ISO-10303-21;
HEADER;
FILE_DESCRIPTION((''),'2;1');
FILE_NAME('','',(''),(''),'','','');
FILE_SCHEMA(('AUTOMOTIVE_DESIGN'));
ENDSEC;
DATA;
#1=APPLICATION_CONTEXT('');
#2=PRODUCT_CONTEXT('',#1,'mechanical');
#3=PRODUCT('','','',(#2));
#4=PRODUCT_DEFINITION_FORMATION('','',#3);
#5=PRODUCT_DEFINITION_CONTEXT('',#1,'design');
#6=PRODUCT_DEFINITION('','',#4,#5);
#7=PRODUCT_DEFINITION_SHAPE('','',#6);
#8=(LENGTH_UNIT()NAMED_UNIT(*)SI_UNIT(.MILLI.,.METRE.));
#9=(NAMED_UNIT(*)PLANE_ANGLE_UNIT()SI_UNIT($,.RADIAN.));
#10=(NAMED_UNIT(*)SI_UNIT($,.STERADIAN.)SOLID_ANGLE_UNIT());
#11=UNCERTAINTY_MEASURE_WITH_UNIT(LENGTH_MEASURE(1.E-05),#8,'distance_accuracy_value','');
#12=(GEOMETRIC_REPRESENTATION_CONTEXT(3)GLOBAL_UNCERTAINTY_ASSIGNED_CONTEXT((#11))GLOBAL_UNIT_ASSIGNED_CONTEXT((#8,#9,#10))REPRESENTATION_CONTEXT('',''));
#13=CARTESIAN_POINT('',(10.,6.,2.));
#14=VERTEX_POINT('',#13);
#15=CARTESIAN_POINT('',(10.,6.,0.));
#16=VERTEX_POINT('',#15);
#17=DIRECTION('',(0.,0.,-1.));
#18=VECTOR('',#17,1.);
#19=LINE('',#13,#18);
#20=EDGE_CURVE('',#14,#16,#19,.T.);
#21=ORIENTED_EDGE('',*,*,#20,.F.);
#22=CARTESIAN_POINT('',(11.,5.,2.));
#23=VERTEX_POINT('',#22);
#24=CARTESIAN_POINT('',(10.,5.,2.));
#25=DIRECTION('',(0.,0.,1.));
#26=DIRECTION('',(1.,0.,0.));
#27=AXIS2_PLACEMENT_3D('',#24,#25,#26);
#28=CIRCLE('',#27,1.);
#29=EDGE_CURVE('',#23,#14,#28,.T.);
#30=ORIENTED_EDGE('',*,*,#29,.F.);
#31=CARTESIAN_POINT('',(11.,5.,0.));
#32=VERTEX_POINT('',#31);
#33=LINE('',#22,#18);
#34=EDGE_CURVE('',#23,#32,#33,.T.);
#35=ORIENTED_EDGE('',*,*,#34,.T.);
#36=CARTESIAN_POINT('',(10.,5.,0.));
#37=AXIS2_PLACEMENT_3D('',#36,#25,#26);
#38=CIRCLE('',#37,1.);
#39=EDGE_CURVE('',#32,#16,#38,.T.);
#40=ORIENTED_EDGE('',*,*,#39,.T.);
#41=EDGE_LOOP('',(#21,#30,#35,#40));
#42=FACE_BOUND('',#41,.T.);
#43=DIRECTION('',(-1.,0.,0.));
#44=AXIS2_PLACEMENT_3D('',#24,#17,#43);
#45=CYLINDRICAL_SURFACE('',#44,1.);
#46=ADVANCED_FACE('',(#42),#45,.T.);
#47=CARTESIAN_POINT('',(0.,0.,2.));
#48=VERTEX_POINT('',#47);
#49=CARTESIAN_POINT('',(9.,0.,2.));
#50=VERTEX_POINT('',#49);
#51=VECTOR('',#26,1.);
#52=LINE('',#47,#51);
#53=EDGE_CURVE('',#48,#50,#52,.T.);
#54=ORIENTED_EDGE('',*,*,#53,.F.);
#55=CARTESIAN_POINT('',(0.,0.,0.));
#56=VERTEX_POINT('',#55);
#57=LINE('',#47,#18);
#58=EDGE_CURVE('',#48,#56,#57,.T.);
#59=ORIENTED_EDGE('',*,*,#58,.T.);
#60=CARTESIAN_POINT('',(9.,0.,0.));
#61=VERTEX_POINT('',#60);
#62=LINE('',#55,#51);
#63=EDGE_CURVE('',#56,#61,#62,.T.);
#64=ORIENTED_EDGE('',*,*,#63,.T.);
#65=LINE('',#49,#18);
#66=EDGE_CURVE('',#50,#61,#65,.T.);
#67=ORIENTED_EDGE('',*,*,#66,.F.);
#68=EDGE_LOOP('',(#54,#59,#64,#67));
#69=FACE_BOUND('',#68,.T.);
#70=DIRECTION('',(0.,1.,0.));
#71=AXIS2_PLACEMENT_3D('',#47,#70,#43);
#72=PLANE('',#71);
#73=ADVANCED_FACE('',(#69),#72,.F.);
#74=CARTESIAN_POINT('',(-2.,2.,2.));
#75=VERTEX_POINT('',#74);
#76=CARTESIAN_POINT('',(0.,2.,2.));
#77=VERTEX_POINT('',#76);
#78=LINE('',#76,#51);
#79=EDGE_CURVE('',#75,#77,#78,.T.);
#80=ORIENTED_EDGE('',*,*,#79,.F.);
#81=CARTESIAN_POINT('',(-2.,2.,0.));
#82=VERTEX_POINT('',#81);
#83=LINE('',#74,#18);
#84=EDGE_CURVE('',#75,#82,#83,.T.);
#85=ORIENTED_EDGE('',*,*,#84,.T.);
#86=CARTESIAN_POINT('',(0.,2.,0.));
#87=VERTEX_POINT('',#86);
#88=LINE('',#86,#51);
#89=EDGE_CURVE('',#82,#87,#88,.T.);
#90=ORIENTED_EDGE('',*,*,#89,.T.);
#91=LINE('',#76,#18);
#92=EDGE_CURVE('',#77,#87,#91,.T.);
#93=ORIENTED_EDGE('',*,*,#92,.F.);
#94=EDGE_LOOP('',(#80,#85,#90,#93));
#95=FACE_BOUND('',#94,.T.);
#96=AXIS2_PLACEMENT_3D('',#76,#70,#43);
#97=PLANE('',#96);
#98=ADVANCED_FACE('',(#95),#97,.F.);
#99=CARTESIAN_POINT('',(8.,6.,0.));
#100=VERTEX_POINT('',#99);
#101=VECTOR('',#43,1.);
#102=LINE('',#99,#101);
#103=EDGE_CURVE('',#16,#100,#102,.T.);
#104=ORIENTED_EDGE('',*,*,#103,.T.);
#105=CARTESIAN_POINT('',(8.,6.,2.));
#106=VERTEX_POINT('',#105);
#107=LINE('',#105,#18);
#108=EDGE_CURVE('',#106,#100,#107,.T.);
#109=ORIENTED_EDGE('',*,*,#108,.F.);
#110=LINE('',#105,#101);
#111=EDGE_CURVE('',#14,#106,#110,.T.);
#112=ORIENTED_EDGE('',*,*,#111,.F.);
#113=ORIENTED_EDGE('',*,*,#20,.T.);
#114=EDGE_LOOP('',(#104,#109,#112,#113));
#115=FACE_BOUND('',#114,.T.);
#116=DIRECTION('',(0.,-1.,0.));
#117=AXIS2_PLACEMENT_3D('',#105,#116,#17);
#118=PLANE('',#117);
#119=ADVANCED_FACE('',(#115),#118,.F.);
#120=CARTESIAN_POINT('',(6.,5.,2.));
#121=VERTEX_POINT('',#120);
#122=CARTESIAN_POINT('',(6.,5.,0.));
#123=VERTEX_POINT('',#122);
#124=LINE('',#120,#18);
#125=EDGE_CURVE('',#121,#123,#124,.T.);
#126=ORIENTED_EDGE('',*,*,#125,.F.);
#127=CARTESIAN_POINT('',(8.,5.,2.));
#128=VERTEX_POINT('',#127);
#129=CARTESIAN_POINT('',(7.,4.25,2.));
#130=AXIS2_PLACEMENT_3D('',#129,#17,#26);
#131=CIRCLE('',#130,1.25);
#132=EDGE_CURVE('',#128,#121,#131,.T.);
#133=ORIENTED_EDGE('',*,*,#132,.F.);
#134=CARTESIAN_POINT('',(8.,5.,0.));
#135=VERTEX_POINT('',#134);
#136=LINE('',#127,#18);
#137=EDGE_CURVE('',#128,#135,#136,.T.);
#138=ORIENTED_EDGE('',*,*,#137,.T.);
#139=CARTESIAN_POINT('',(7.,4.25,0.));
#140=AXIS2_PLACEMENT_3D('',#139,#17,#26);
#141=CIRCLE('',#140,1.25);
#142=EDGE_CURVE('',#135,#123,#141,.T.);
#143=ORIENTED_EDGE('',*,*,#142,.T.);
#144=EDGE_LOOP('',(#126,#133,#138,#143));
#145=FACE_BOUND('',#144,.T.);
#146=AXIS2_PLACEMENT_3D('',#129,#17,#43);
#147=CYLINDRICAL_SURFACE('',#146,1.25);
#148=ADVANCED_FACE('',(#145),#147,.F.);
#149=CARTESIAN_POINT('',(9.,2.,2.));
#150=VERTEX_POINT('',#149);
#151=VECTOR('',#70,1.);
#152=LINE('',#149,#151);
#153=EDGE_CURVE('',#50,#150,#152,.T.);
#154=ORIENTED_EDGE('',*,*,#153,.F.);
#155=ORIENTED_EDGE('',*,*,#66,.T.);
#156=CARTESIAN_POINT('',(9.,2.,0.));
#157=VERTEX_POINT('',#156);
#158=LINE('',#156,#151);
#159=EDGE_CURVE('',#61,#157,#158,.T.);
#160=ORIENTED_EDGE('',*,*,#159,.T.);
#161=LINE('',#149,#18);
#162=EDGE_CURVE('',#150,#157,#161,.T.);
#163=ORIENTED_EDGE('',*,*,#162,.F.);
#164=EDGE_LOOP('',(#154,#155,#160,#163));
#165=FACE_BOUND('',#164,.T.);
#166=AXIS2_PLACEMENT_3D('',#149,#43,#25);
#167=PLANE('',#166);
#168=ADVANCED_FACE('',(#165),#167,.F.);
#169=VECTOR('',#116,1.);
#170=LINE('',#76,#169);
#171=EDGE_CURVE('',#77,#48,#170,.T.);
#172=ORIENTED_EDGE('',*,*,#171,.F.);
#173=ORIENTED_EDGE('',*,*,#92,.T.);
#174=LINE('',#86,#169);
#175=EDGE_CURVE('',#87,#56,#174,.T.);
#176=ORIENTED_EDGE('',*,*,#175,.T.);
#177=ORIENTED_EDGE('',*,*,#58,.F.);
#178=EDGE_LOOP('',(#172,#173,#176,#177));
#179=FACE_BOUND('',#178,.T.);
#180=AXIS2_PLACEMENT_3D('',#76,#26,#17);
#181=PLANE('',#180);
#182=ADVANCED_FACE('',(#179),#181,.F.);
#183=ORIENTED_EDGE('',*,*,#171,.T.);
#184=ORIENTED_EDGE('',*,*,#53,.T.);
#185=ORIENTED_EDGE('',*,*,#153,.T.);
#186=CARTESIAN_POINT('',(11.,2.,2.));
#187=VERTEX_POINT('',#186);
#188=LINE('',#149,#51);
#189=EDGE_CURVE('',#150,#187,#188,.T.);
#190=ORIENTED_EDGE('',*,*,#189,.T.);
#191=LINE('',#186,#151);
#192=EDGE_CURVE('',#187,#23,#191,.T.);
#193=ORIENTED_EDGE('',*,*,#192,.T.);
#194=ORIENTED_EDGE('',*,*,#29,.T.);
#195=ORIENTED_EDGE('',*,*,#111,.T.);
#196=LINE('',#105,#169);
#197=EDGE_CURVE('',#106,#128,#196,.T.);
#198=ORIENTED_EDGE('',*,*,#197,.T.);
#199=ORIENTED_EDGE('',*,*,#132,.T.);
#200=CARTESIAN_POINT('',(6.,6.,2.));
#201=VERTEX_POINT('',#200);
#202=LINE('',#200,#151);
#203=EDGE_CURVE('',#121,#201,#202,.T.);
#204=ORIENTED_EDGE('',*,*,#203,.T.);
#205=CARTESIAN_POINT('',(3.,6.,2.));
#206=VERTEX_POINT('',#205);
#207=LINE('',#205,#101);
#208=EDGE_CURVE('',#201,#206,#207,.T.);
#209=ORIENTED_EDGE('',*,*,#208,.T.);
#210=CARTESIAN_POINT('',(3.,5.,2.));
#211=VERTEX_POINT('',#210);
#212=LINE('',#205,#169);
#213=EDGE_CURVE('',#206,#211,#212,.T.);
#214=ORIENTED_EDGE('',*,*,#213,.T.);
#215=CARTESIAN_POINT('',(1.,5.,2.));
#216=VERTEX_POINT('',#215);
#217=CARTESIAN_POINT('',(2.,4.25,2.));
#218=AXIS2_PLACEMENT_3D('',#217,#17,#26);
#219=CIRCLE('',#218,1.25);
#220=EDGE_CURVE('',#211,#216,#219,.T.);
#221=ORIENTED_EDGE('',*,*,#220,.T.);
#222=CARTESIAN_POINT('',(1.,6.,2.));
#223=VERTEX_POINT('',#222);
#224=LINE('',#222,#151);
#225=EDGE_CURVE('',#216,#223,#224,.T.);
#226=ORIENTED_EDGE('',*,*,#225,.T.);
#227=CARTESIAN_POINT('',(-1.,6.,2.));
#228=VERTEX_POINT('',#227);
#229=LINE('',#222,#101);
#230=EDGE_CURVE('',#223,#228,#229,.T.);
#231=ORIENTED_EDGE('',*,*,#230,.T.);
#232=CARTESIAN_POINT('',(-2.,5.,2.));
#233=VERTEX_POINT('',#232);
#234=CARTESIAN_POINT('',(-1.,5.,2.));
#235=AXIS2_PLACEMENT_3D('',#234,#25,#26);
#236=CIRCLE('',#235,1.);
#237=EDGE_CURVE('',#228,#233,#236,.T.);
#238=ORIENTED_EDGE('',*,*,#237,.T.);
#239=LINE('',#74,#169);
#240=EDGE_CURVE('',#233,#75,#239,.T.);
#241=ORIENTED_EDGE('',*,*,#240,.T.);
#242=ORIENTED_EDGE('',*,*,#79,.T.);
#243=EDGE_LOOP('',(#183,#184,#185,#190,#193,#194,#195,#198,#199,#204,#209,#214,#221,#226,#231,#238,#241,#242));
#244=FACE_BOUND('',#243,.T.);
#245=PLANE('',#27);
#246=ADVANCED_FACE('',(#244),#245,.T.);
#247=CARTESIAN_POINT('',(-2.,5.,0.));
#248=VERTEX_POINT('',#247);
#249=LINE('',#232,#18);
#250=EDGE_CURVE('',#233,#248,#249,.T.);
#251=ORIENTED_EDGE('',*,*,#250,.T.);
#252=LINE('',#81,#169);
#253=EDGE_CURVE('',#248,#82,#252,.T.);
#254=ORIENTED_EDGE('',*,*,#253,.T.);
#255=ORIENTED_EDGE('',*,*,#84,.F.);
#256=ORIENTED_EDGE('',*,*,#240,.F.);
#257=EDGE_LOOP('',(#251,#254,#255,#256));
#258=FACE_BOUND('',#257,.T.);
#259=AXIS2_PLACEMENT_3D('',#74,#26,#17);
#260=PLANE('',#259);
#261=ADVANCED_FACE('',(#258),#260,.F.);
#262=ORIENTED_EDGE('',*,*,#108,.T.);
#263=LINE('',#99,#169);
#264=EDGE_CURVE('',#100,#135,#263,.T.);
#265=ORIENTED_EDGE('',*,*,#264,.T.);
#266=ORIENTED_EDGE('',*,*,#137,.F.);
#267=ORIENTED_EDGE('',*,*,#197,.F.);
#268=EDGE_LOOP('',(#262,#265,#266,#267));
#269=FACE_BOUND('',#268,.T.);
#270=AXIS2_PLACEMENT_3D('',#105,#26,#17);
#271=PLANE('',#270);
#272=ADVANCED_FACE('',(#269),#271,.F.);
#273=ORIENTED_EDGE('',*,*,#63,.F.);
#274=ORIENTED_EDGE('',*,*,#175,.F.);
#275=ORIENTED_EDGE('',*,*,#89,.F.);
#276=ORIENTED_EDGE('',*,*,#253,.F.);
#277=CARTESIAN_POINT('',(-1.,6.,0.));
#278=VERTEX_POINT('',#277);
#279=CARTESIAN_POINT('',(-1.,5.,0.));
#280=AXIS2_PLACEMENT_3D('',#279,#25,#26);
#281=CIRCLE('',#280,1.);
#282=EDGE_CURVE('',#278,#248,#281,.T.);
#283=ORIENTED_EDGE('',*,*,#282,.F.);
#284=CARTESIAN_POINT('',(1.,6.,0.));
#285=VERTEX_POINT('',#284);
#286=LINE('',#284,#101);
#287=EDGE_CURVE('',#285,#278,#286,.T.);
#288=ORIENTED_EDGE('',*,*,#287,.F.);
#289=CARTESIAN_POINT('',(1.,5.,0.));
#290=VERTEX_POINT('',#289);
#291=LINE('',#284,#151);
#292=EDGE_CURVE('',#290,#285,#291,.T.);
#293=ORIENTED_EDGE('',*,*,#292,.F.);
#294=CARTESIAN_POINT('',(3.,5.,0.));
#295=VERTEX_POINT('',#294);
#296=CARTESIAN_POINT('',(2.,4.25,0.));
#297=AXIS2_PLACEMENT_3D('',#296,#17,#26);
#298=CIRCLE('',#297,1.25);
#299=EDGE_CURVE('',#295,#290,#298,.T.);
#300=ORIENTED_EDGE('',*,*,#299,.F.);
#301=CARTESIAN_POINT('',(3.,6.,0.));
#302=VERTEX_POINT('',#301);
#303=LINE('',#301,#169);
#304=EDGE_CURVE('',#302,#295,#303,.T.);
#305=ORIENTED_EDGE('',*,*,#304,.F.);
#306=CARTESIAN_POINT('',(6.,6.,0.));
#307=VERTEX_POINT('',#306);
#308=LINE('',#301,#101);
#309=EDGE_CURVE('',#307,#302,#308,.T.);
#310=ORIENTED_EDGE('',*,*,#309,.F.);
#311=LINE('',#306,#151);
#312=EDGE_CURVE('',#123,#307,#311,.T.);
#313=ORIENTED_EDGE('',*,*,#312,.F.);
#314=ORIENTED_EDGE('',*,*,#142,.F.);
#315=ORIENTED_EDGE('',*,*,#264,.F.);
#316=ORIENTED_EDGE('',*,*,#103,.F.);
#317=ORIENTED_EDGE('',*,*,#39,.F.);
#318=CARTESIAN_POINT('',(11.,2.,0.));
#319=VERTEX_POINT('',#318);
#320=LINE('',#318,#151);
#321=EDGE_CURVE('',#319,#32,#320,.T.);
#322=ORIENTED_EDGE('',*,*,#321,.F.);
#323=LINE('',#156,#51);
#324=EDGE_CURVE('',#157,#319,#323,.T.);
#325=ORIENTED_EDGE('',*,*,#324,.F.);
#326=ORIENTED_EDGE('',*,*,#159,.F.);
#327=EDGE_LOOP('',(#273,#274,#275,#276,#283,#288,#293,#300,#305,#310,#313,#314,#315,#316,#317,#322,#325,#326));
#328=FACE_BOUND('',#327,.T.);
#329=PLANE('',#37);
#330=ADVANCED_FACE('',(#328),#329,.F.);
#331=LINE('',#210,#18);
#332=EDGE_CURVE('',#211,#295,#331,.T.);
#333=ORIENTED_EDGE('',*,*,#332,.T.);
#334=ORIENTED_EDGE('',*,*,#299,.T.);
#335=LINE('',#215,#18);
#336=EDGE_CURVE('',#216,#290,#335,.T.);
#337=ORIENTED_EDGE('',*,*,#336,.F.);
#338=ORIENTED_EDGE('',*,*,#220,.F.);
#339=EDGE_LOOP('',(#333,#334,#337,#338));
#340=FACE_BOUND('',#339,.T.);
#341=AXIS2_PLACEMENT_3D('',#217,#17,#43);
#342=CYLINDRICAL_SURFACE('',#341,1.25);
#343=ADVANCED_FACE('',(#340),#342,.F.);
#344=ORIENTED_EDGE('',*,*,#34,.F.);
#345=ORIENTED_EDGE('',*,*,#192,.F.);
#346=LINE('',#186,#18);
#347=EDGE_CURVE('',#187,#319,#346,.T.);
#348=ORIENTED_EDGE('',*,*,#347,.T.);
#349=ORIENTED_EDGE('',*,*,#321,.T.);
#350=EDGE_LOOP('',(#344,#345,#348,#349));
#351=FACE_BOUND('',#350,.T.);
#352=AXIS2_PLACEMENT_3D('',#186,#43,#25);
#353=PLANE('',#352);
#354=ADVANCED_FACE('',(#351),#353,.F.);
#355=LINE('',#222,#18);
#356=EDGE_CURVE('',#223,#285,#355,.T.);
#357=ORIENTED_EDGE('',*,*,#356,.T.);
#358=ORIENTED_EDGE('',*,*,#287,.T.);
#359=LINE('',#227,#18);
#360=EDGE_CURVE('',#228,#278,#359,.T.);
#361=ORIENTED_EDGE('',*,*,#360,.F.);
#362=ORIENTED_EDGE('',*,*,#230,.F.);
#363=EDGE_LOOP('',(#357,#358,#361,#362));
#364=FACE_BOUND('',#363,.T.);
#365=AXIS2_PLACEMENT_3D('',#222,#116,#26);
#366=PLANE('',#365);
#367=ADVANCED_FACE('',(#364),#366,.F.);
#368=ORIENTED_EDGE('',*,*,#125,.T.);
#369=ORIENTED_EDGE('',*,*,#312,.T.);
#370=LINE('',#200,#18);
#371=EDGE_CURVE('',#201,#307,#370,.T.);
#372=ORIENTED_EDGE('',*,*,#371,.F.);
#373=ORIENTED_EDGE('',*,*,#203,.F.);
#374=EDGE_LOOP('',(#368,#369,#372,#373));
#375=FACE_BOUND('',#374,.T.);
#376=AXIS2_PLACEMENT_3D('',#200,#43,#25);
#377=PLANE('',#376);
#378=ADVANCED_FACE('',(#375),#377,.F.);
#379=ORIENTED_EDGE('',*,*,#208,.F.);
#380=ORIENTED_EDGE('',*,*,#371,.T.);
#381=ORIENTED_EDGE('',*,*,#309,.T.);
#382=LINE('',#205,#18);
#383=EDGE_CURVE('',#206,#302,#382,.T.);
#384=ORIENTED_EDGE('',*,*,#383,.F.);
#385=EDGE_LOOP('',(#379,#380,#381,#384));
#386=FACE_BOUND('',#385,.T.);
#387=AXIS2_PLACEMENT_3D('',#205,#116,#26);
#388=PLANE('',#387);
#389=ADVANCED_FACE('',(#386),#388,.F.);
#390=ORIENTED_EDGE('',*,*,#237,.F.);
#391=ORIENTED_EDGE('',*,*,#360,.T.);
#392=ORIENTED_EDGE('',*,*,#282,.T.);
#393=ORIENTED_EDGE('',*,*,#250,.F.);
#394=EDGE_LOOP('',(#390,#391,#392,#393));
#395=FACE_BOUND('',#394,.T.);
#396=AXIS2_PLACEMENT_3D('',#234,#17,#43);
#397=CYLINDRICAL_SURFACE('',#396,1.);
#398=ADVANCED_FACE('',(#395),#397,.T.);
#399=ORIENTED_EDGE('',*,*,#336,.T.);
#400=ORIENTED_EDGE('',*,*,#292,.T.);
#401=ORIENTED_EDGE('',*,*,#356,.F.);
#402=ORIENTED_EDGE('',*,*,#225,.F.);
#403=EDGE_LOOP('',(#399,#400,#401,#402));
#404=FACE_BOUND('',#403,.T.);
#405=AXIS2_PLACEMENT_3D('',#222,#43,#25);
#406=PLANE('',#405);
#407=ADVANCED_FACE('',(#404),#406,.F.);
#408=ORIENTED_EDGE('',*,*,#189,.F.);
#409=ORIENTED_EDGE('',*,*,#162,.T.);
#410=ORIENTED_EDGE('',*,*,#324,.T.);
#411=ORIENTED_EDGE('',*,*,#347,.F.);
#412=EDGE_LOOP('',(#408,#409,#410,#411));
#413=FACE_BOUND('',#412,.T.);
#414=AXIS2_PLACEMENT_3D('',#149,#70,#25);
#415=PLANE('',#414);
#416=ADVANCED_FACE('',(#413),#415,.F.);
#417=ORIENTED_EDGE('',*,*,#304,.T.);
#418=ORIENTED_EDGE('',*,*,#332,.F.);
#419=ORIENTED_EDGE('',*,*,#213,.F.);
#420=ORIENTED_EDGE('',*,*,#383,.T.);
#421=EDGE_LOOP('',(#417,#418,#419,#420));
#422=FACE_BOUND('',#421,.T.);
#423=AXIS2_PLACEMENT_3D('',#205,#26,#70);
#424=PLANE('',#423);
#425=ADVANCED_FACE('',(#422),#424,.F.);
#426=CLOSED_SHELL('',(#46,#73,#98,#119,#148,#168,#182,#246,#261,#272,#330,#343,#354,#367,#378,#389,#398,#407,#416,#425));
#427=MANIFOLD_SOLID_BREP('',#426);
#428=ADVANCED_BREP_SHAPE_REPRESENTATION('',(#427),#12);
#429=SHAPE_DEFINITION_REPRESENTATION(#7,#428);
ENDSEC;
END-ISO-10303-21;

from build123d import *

# Parameters (mm, degrees)
BOSS_EXTRUDE1_DEPTH = 2


with BuildPart() as part:
    # Model → Boss-Extrude1 (new body)
    with BuildSketch(Plane.XY):
        with BuildLine():
            Line((11, 2), (11, 5))
            ThreePointArc((11, 5), (10.707106781, 5.707106781), (10, 6))
            Line((10, 6), (8, 6))
            Line((8, 6), (8, 5))
            ThreePointArc((8, 5), (7, 3), (6, 5))
            Line((6, 5), (6, 6))
            Line((6, 6), (3, 6))
            Line((3, 6), (3, 5))
            ThreePointArc((3, 5), (2, 3), (1, 5))
            Line((1, 5), (1, 6))
            Line((1, 6), (-1, 6))
            ThreePointArc((-1, 6), (-1.707106781, 5.707106781), (-2, 5))
            Line((-2, 5), (-2, 2))
            Line((-2, 2), (0, 2))
            Line((0, 2), (0, 0))
            Line((0, 0), (9, 0))
            Line((9, 0), (9, 2))
            Line((9, 2), (11, 2))
        make_face()
    extrude(amount=BOSS_EXTRUDE1_DEPTH)


solid = part.part
